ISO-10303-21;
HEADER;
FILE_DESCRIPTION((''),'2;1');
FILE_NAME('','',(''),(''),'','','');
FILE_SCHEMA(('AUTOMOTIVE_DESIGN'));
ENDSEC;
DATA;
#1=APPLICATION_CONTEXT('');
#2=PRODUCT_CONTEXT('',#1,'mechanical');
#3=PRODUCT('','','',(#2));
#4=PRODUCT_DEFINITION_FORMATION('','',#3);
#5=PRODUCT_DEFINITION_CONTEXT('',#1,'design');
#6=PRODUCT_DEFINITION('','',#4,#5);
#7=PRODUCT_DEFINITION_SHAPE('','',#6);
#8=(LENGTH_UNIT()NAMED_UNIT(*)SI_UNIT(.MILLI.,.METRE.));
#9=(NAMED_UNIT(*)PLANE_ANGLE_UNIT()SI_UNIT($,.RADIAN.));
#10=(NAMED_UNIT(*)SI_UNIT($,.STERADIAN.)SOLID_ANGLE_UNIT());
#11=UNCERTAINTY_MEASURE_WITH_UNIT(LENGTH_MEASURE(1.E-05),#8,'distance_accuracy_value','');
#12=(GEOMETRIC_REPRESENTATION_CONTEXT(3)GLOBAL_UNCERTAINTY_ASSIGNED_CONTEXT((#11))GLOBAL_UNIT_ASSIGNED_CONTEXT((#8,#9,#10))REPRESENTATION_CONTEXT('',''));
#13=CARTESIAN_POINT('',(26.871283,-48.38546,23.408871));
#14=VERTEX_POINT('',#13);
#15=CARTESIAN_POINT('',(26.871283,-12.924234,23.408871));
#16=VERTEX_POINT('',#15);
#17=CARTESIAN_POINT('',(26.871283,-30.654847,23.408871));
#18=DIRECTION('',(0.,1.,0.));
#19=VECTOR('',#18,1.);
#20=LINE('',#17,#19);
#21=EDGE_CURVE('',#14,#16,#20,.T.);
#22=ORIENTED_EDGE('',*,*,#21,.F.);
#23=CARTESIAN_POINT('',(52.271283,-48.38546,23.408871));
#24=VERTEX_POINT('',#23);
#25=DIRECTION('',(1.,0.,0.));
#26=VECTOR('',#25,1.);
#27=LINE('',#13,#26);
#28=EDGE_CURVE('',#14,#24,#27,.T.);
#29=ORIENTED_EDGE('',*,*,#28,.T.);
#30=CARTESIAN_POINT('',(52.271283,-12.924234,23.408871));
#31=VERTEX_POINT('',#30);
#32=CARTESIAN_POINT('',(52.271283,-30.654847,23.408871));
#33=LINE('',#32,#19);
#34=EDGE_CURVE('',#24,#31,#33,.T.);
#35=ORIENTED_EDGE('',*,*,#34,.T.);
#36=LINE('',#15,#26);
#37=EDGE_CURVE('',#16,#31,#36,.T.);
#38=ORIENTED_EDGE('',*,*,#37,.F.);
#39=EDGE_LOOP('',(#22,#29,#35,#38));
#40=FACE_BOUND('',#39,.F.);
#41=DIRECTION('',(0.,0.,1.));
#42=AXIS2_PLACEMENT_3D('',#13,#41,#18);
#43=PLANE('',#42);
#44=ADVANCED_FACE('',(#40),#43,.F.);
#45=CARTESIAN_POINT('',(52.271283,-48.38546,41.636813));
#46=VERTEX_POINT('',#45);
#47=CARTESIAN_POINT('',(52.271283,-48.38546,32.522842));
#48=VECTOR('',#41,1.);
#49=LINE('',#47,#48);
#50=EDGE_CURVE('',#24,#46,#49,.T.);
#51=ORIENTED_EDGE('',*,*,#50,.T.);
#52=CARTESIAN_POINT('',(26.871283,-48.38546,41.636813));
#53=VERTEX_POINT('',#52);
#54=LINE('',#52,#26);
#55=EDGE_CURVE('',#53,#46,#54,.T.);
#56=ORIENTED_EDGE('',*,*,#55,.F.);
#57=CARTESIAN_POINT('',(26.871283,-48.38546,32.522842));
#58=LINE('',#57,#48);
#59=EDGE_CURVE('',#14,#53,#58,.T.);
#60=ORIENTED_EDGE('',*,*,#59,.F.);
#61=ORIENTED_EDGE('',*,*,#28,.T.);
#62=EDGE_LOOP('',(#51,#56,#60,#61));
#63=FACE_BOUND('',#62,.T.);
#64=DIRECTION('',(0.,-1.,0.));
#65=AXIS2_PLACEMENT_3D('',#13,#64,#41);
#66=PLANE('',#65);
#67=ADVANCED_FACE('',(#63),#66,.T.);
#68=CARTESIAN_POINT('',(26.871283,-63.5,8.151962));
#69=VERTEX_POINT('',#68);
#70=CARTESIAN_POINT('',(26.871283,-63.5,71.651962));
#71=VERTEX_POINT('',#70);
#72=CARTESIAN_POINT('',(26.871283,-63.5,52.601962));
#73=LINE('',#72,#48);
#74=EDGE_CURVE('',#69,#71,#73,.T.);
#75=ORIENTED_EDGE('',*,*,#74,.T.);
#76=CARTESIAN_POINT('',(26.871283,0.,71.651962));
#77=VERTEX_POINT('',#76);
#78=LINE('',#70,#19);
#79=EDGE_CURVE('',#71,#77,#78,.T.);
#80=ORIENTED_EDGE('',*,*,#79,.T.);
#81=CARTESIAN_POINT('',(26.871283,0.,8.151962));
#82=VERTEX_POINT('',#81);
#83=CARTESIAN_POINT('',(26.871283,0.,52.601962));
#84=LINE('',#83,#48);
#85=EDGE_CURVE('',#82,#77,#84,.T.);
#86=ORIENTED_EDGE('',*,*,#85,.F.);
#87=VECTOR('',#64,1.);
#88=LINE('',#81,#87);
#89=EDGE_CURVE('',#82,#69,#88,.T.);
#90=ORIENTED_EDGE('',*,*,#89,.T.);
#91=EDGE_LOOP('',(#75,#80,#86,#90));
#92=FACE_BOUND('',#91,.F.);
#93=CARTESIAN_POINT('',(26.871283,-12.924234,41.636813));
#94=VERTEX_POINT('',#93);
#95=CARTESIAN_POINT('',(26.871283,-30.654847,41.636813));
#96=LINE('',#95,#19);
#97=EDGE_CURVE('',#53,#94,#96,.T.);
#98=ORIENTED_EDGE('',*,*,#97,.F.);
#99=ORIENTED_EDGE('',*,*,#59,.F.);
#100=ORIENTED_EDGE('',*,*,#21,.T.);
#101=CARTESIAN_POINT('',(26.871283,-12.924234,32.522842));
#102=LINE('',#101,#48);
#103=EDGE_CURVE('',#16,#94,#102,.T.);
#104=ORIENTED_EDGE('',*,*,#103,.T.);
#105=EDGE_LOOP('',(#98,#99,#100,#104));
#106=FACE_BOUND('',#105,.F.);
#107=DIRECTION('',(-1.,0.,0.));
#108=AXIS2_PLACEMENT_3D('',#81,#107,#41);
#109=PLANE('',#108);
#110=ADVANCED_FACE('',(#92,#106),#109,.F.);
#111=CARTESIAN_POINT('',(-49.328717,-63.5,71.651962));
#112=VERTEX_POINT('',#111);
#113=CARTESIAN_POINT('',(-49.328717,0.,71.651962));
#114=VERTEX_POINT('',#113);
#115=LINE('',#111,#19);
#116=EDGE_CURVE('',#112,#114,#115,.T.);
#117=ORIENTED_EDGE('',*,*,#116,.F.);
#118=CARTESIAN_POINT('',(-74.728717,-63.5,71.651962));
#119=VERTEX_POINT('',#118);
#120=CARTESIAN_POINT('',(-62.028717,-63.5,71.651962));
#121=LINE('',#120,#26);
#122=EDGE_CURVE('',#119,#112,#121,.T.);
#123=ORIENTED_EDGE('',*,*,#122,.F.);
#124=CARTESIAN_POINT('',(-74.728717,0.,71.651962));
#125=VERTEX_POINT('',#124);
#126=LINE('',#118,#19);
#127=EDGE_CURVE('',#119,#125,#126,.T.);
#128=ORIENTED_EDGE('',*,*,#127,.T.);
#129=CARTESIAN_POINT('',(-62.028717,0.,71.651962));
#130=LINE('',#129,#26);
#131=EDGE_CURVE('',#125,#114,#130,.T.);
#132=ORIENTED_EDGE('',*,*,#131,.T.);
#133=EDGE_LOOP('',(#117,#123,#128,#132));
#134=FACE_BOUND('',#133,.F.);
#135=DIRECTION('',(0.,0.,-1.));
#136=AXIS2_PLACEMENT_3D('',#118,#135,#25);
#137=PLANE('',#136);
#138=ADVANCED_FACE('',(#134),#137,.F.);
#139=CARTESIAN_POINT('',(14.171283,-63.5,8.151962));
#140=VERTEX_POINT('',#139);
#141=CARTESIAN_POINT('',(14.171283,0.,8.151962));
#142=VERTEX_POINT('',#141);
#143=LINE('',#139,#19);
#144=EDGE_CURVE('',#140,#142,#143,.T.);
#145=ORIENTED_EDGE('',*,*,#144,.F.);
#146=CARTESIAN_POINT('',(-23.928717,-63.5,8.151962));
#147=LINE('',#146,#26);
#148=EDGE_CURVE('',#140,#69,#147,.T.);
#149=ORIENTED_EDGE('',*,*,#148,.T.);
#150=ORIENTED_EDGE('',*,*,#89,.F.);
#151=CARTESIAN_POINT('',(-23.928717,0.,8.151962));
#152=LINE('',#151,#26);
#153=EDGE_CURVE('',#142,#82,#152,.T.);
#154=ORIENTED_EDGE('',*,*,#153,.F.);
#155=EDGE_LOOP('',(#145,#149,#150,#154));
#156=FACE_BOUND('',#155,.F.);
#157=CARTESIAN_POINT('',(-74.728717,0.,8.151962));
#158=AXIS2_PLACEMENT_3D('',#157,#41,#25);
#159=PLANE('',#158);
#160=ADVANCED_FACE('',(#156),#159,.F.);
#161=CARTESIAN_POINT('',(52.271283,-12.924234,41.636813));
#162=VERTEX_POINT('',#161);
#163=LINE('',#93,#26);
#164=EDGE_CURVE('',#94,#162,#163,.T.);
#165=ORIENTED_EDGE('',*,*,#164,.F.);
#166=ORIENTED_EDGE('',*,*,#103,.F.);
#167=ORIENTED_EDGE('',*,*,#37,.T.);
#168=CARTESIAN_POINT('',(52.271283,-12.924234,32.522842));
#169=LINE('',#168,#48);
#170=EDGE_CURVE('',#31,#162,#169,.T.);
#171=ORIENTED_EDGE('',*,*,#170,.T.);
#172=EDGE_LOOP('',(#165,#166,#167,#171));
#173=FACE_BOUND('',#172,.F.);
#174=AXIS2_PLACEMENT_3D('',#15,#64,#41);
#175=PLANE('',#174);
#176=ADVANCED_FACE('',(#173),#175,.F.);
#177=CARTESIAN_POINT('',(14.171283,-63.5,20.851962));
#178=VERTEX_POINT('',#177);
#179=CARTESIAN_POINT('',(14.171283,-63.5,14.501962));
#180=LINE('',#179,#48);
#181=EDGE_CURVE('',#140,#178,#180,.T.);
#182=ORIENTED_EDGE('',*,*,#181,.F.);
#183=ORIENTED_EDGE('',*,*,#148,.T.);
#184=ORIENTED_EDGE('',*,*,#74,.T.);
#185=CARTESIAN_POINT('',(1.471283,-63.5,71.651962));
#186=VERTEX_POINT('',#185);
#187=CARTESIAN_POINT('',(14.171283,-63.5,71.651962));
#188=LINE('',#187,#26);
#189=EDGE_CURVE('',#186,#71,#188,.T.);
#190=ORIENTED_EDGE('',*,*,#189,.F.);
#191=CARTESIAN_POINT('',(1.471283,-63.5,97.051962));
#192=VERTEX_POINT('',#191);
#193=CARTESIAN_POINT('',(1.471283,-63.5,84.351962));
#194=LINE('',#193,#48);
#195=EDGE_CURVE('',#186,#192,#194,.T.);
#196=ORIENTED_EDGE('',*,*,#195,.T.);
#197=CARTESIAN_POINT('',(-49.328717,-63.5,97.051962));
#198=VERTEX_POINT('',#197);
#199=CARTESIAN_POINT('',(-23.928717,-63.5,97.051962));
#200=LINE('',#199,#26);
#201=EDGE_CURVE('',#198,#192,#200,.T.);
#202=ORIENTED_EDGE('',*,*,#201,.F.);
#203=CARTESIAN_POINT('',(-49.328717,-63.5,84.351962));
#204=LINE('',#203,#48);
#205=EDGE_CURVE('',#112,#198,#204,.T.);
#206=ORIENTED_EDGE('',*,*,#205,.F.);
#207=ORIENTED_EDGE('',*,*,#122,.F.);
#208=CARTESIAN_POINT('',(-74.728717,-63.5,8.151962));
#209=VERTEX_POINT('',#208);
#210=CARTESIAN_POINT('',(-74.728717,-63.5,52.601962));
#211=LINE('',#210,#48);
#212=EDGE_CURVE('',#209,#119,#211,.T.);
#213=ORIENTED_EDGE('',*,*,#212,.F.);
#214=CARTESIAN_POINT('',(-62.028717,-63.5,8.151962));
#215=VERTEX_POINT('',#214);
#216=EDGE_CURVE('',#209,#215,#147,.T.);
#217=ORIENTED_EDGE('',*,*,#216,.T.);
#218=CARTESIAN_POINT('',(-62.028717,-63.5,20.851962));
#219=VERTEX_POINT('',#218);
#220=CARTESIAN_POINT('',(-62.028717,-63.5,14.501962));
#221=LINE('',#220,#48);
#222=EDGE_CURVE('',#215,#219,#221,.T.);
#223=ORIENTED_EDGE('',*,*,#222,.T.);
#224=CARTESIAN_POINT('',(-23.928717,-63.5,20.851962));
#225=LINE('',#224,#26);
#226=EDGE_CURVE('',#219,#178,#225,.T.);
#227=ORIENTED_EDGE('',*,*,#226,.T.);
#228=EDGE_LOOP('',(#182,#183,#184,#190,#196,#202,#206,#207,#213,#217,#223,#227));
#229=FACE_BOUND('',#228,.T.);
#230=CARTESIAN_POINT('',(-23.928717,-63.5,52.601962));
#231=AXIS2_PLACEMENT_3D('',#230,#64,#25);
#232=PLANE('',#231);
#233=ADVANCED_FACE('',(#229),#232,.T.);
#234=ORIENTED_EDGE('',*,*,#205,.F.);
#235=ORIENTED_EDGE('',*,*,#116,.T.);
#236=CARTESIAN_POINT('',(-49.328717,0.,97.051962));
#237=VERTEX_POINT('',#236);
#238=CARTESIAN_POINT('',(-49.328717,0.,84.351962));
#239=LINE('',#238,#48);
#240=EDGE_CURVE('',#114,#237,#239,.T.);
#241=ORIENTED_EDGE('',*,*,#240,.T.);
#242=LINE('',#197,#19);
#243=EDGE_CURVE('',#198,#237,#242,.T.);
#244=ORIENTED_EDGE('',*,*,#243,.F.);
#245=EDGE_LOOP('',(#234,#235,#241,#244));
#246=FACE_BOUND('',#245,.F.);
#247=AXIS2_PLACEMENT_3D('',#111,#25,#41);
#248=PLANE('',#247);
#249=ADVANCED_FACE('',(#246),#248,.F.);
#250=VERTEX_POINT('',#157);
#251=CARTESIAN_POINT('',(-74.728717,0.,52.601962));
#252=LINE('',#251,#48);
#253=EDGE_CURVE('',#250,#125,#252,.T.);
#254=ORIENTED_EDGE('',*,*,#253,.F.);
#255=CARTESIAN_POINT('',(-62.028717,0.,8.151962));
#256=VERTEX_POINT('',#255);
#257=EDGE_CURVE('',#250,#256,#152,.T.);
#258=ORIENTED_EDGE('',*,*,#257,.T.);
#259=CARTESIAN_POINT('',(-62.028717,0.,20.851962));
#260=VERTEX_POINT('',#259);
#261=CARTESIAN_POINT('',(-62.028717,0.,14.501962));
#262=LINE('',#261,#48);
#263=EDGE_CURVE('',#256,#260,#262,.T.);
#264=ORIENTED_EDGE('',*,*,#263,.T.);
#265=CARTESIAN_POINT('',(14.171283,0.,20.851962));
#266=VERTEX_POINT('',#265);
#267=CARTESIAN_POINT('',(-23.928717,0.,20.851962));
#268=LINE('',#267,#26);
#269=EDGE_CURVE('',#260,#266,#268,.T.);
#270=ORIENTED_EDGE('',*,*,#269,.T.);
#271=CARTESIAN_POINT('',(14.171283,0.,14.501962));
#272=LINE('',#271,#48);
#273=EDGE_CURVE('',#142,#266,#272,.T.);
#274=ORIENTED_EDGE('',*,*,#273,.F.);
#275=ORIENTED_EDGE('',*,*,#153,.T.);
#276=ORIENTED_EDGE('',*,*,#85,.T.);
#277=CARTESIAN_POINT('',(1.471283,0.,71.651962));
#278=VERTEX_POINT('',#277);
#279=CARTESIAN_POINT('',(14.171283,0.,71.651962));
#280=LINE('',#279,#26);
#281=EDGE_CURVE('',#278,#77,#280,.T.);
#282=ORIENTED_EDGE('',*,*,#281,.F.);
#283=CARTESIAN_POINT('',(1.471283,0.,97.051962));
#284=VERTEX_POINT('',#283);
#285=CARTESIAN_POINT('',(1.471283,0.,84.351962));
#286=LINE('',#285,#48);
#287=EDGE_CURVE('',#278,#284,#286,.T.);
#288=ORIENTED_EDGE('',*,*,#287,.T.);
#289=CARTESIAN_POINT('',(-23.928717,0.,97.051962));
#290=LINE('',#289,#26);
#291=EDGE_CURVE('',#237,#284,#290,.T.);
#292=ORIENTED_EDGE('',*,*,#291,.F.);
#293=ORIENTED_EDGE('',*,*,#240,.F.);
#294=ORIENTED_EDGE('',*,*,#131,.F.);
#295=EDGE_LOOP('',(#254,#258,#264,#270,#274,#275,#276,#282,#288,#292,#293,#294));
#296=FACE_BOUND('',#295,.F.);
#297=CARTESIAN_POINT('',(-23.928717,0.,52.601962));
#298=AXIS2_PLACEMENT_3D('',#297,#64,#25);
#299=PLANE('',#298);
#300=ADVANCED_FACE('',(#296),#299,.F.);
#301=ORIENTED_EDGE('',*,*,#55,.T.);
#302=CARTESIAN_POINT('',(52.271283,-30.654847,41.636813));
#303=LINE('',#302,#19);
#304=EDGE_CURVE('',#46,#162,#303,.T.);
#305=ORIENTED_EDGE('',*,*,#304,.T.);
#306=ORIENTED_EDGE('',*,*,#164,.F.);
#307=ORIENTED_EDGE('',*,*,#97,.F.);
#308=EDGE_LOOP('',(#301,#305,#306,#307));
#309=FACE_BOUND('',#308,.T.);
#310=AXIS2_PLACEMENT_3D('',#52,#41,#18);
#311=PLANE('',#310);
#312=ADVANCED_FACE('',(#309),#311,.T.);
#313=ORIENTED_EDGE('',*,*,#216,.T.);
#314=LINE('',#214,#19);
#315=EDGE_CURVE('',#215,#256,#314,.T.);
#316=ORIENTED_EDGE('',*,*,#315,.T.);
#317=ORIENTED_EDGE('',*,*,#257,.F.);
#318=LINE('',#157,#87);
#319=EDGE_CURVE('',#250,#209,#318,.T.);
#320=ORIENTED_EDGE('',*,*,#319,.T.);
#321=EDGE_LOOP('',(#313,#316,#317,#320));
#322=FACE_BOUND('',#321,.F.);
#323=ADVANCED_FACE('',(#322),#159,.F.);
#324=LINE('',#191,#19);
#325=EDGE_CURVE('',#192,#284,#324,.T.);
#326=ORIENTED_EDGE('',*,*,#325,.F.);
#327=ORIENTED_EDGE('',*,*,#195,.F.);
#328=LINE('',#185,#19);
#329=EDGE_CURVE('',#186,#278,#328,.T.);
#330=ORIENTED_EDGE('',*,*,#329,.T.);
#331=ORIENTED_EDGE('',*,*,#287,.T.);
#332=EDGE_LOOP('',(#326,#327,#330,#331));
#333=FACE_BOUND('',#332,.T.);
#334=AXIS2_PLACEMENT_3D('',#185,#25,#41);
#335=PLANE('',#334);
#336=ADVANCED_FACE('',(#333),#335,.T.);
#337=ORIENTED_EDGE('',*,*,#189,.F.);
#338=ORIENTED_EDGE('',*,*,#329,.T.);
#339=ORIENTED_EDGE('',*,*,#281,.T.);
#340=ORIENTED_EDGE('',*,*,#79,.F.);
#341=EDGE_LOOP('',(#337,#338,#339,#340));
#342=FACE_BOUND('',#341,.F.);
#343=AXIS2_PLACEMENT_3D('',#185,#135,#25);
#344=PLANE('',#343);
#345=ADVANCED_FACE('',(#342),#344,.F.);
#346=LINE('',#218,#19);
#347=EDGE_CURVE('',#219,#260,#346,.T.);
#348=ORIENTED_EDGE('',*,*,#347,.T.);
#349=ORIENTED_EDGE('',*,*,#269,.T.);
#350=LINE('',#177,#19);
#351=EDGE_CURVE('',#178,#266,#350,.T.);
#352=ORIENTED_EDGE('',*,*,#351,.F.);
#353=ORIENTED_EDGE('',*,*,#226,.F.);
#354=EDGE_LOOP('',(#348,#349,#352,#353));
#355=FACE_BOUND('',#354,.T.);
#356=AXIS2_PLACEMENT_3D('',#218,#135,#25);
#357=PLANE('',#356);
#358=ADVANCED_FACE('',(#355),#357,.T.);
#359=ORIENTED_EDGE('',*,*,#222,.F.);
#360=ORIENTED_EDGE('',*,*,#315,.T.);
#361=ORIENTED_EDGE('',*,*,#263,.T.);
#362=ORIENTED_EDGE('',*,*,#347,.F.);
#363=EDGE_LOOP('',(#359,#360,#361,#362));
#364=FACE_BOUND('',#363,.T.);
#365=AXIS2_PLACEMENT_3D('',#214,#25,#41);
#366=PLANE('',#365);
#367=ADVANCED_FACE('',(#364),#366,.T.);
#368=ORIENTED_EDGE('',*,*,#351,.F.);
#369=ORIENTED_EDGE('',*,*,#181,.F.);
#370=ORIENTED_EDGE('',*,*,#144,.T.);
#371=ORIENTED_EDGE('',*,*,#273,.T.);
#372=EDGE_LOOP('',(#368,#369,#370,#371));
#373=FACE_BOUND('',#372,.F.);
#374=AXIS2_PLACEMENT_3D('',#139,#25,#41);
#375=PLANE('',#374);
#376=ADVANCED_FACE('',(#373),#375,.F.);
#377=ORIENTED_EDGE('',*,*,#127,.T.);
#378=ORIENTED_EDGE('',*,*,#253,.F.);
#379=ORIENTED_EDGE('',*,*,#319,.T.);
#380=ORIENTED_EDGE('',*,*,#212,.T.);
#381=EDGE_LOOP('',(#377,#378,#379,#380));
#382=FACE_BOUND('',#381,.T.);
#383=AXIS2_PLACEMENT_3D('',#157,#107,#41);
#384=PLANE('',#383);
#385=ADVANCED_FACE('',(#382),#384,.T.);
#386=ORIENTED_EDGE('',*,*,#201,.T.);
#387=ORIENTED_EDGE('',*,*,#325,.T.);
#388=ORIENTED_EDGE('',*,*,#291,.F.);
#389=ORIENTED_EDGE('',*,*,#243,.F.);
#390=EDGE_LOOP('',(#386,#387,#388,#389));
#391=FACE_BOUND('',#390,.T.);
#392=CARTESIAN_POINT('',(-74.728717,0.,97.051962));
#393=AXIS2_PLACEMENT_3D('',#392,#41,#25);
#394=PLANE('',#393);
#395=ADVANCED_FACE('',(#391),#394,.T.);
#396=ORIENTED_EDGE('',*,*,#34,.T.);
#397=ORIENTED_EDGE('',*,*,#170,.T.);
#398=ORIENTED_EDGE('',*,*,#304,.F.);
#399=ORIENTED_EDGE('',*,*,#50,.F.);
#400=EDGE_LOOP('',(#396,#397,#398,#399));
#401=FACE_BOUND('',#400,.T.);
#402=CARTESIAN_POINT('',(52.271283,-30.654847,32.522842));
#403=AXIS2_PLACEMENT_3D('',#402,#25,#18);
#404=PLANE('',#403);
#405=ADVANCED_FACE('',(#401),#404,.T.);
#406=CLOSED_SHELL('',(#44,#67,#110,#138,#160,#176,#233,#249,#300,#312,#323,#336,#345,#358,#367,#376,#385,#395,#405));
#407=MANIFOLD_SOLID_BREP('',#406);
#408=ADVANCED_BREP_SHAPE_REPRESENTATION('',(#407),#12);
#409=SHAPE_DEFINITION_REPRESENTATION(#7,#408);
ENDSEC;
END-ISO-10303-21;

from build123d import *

# Parameters (mm, degrees)
F0_W     = 101.6
F0_H     = 88.9
F1_DEPTH = 63.5
F2_W     = 25.4
F2_H     = 25.4
F3_DEPTH = 63.5
F4_W     = 25.4
F4_H     = 25.4
F5_DEPTH = 63.5
F6_W     = 76.2
F6_H     = 12.7
F7_DEPTH = 63.5
F8_W     = 35.461226
F8_H     = 18.227942
F9_DEPTH = 25.4


with BuildPart() as f1:
    # F0 (on Front) → F1 (new body)
    with BuildSketch(Plane.XZ):
        with Locations((-23.928717, 52.601962)):
            Rectangle(F0_W, F0_H)
    extrude(amount=F1_DEPTH)

    # F2 (on face) → F3 (cut)
    with BuildSketch(Plane.XZ.offset(63.5)):
        with Locations((-62.028717, 84.351962)):
            Rectangle(F2_W, F2_H)
    extrude(amount=-F3_DEPTH, mode=Mode.SUBTRACT)

    # F4 (on face) → F5 (cut)
    with BuildSketch(Plane.XZ.offset(63.5)):
        with Locations((14.171283, 84.351962)):
            Rectangle(F4_W, F4_H)
    extrude(amount=-F5_DEPTH, mode=Mode.SUBTRACT)

    # F6 (on face) → F7 (cut)
    with BuildSketch(Plane.XZ.offset(63.5)):
        with Locations((-23.928717, 14.501962)):
            Rectangle(F6_W, F6_H)
    extrude(amount=-F7_DEPTH, mode=Mode.SUBTRACT)

    # F8 (on face) → F9 (join)
    with BuildSketch(Plane.YZ.offset(26.871283)):
        with Locations((-30.654847, 32.522842)):
            Rectangle(F8_W, F8_H)
    extrude(amount=F9_DEPTH)


solid = f1.part
